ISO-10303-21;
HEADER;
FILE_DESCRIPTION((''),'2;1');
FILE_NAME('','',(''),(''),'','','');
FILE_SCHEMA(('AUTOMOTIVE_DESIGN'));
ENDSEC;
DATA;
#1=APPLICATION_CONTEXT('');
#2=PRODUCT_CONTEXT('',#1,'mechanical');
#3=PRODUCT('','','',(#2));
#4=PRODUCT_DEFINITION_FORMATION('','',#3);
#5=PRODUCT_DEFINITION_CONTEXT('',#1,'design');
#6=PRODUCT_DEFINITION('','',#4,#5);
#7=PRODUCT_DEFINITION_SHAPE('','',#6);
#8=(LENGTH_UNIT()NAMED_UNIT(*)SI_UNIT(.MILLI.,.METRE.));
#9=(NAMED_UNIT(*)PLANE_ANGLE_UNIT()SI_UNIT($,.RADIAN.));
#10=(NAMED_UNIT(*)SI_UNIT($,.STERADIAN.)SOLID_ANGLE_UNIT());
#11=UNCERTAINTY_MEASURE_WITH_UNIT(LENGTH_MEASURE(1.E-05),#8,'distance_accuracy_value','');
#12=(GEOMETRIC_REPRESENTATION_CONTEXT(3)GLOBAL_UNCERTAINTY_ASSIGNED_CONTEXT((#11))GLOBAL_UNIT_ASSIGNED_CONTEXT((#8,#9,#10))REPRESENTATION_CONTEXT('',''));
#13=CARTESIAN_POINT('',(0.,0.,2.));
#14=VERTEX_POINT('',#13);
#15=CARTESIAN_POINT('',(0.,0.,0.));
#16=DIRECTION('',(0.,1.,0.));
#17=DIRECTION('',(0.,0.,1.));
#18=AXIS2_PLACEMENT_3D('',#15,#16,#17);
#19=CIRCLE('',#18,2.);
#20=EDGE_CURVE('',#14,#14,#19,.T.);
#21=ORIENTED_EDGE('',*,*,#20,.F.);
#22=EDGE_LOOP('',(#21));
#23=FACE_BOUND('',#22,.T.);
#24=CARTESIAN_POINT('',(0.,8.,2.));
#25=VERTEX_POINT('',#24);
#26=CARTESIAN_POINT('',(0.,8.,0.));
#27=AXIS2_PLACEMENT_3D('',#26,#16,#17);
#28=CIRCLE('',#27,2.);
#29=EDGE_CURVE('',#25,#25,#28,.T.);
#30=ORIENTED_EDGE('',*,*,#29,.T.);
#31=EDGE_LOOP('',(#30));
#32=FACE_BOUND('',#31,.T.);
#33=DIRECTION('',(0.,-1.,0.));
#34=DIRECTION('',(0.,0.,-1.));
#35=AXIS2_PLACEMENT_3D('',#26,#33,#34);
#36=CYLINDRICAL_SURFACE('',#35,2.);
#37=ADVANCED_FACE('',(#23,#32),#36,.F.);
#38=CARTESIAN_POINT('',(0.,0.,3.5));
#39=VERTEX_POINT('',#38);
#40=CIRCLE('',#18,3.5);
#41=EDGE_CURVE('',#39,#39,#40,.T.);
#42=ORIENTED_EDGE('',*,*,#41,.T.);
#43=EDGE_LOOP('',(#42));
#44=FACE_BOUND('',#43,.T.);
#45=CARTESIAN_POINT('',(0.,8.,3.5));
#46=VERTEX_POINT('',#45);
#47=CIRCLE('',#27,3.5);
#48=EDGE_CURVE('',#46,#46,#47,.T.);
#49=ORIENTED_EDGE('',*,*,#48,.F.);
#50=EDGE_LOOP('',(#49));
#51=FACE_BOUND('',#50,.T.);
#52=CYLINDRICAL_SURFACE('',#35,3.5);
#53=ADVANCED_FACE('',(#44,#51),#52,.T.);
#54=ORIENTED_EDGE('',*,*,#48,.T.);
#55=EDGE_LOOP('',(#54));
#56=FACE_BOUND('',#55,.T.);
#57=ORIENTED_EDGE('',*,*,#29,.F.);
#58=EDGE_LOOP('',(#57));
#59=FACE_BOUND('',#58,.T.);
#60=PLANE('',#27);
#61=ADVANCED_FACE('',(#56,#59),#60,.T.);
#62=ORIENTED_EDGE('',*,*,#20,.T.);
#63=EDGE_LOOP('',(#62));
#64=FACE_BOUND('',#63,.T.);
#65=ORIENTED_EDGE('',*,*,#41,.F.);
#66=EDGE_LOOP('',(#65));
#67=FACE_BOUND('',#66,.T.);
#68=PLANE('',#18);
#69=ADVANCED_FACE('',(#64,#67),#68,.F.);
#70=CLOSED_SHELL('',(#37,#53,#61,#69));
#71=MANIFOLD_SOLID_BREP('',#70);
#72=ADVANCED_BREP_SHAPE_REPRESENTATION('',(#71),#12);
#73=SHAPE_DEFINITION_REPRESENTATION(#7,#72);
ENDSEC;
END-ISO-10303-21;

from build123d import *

# Parameters (mm, degrees)
SKETCH_1_R      = 3.5
SKETCH_1_R_2    = 2
EXTRUDE_1_DEPTH = 8


with BuildPart() as part:
    # Эскиз1 → Бобышка-Вытянуть1 (new body)
    with BuildSketch(Plane(origin=(0, 0, 0), x_dir=(1, 0, 0), z_dir=(0, 1, 0))):
        with Locations(Location((0, 0, 0), (0, 0, 270))):
            Circle(SKETCH_1_R)
        with Locations(Location((0, 0, 0), (0, 0, 270))):
            Circle(SKETCH_1_R_2, mode=Mode.SUBTRACT)
    extrude(amount=EXTRUDE_1_DEPTH)


solid = part.part
